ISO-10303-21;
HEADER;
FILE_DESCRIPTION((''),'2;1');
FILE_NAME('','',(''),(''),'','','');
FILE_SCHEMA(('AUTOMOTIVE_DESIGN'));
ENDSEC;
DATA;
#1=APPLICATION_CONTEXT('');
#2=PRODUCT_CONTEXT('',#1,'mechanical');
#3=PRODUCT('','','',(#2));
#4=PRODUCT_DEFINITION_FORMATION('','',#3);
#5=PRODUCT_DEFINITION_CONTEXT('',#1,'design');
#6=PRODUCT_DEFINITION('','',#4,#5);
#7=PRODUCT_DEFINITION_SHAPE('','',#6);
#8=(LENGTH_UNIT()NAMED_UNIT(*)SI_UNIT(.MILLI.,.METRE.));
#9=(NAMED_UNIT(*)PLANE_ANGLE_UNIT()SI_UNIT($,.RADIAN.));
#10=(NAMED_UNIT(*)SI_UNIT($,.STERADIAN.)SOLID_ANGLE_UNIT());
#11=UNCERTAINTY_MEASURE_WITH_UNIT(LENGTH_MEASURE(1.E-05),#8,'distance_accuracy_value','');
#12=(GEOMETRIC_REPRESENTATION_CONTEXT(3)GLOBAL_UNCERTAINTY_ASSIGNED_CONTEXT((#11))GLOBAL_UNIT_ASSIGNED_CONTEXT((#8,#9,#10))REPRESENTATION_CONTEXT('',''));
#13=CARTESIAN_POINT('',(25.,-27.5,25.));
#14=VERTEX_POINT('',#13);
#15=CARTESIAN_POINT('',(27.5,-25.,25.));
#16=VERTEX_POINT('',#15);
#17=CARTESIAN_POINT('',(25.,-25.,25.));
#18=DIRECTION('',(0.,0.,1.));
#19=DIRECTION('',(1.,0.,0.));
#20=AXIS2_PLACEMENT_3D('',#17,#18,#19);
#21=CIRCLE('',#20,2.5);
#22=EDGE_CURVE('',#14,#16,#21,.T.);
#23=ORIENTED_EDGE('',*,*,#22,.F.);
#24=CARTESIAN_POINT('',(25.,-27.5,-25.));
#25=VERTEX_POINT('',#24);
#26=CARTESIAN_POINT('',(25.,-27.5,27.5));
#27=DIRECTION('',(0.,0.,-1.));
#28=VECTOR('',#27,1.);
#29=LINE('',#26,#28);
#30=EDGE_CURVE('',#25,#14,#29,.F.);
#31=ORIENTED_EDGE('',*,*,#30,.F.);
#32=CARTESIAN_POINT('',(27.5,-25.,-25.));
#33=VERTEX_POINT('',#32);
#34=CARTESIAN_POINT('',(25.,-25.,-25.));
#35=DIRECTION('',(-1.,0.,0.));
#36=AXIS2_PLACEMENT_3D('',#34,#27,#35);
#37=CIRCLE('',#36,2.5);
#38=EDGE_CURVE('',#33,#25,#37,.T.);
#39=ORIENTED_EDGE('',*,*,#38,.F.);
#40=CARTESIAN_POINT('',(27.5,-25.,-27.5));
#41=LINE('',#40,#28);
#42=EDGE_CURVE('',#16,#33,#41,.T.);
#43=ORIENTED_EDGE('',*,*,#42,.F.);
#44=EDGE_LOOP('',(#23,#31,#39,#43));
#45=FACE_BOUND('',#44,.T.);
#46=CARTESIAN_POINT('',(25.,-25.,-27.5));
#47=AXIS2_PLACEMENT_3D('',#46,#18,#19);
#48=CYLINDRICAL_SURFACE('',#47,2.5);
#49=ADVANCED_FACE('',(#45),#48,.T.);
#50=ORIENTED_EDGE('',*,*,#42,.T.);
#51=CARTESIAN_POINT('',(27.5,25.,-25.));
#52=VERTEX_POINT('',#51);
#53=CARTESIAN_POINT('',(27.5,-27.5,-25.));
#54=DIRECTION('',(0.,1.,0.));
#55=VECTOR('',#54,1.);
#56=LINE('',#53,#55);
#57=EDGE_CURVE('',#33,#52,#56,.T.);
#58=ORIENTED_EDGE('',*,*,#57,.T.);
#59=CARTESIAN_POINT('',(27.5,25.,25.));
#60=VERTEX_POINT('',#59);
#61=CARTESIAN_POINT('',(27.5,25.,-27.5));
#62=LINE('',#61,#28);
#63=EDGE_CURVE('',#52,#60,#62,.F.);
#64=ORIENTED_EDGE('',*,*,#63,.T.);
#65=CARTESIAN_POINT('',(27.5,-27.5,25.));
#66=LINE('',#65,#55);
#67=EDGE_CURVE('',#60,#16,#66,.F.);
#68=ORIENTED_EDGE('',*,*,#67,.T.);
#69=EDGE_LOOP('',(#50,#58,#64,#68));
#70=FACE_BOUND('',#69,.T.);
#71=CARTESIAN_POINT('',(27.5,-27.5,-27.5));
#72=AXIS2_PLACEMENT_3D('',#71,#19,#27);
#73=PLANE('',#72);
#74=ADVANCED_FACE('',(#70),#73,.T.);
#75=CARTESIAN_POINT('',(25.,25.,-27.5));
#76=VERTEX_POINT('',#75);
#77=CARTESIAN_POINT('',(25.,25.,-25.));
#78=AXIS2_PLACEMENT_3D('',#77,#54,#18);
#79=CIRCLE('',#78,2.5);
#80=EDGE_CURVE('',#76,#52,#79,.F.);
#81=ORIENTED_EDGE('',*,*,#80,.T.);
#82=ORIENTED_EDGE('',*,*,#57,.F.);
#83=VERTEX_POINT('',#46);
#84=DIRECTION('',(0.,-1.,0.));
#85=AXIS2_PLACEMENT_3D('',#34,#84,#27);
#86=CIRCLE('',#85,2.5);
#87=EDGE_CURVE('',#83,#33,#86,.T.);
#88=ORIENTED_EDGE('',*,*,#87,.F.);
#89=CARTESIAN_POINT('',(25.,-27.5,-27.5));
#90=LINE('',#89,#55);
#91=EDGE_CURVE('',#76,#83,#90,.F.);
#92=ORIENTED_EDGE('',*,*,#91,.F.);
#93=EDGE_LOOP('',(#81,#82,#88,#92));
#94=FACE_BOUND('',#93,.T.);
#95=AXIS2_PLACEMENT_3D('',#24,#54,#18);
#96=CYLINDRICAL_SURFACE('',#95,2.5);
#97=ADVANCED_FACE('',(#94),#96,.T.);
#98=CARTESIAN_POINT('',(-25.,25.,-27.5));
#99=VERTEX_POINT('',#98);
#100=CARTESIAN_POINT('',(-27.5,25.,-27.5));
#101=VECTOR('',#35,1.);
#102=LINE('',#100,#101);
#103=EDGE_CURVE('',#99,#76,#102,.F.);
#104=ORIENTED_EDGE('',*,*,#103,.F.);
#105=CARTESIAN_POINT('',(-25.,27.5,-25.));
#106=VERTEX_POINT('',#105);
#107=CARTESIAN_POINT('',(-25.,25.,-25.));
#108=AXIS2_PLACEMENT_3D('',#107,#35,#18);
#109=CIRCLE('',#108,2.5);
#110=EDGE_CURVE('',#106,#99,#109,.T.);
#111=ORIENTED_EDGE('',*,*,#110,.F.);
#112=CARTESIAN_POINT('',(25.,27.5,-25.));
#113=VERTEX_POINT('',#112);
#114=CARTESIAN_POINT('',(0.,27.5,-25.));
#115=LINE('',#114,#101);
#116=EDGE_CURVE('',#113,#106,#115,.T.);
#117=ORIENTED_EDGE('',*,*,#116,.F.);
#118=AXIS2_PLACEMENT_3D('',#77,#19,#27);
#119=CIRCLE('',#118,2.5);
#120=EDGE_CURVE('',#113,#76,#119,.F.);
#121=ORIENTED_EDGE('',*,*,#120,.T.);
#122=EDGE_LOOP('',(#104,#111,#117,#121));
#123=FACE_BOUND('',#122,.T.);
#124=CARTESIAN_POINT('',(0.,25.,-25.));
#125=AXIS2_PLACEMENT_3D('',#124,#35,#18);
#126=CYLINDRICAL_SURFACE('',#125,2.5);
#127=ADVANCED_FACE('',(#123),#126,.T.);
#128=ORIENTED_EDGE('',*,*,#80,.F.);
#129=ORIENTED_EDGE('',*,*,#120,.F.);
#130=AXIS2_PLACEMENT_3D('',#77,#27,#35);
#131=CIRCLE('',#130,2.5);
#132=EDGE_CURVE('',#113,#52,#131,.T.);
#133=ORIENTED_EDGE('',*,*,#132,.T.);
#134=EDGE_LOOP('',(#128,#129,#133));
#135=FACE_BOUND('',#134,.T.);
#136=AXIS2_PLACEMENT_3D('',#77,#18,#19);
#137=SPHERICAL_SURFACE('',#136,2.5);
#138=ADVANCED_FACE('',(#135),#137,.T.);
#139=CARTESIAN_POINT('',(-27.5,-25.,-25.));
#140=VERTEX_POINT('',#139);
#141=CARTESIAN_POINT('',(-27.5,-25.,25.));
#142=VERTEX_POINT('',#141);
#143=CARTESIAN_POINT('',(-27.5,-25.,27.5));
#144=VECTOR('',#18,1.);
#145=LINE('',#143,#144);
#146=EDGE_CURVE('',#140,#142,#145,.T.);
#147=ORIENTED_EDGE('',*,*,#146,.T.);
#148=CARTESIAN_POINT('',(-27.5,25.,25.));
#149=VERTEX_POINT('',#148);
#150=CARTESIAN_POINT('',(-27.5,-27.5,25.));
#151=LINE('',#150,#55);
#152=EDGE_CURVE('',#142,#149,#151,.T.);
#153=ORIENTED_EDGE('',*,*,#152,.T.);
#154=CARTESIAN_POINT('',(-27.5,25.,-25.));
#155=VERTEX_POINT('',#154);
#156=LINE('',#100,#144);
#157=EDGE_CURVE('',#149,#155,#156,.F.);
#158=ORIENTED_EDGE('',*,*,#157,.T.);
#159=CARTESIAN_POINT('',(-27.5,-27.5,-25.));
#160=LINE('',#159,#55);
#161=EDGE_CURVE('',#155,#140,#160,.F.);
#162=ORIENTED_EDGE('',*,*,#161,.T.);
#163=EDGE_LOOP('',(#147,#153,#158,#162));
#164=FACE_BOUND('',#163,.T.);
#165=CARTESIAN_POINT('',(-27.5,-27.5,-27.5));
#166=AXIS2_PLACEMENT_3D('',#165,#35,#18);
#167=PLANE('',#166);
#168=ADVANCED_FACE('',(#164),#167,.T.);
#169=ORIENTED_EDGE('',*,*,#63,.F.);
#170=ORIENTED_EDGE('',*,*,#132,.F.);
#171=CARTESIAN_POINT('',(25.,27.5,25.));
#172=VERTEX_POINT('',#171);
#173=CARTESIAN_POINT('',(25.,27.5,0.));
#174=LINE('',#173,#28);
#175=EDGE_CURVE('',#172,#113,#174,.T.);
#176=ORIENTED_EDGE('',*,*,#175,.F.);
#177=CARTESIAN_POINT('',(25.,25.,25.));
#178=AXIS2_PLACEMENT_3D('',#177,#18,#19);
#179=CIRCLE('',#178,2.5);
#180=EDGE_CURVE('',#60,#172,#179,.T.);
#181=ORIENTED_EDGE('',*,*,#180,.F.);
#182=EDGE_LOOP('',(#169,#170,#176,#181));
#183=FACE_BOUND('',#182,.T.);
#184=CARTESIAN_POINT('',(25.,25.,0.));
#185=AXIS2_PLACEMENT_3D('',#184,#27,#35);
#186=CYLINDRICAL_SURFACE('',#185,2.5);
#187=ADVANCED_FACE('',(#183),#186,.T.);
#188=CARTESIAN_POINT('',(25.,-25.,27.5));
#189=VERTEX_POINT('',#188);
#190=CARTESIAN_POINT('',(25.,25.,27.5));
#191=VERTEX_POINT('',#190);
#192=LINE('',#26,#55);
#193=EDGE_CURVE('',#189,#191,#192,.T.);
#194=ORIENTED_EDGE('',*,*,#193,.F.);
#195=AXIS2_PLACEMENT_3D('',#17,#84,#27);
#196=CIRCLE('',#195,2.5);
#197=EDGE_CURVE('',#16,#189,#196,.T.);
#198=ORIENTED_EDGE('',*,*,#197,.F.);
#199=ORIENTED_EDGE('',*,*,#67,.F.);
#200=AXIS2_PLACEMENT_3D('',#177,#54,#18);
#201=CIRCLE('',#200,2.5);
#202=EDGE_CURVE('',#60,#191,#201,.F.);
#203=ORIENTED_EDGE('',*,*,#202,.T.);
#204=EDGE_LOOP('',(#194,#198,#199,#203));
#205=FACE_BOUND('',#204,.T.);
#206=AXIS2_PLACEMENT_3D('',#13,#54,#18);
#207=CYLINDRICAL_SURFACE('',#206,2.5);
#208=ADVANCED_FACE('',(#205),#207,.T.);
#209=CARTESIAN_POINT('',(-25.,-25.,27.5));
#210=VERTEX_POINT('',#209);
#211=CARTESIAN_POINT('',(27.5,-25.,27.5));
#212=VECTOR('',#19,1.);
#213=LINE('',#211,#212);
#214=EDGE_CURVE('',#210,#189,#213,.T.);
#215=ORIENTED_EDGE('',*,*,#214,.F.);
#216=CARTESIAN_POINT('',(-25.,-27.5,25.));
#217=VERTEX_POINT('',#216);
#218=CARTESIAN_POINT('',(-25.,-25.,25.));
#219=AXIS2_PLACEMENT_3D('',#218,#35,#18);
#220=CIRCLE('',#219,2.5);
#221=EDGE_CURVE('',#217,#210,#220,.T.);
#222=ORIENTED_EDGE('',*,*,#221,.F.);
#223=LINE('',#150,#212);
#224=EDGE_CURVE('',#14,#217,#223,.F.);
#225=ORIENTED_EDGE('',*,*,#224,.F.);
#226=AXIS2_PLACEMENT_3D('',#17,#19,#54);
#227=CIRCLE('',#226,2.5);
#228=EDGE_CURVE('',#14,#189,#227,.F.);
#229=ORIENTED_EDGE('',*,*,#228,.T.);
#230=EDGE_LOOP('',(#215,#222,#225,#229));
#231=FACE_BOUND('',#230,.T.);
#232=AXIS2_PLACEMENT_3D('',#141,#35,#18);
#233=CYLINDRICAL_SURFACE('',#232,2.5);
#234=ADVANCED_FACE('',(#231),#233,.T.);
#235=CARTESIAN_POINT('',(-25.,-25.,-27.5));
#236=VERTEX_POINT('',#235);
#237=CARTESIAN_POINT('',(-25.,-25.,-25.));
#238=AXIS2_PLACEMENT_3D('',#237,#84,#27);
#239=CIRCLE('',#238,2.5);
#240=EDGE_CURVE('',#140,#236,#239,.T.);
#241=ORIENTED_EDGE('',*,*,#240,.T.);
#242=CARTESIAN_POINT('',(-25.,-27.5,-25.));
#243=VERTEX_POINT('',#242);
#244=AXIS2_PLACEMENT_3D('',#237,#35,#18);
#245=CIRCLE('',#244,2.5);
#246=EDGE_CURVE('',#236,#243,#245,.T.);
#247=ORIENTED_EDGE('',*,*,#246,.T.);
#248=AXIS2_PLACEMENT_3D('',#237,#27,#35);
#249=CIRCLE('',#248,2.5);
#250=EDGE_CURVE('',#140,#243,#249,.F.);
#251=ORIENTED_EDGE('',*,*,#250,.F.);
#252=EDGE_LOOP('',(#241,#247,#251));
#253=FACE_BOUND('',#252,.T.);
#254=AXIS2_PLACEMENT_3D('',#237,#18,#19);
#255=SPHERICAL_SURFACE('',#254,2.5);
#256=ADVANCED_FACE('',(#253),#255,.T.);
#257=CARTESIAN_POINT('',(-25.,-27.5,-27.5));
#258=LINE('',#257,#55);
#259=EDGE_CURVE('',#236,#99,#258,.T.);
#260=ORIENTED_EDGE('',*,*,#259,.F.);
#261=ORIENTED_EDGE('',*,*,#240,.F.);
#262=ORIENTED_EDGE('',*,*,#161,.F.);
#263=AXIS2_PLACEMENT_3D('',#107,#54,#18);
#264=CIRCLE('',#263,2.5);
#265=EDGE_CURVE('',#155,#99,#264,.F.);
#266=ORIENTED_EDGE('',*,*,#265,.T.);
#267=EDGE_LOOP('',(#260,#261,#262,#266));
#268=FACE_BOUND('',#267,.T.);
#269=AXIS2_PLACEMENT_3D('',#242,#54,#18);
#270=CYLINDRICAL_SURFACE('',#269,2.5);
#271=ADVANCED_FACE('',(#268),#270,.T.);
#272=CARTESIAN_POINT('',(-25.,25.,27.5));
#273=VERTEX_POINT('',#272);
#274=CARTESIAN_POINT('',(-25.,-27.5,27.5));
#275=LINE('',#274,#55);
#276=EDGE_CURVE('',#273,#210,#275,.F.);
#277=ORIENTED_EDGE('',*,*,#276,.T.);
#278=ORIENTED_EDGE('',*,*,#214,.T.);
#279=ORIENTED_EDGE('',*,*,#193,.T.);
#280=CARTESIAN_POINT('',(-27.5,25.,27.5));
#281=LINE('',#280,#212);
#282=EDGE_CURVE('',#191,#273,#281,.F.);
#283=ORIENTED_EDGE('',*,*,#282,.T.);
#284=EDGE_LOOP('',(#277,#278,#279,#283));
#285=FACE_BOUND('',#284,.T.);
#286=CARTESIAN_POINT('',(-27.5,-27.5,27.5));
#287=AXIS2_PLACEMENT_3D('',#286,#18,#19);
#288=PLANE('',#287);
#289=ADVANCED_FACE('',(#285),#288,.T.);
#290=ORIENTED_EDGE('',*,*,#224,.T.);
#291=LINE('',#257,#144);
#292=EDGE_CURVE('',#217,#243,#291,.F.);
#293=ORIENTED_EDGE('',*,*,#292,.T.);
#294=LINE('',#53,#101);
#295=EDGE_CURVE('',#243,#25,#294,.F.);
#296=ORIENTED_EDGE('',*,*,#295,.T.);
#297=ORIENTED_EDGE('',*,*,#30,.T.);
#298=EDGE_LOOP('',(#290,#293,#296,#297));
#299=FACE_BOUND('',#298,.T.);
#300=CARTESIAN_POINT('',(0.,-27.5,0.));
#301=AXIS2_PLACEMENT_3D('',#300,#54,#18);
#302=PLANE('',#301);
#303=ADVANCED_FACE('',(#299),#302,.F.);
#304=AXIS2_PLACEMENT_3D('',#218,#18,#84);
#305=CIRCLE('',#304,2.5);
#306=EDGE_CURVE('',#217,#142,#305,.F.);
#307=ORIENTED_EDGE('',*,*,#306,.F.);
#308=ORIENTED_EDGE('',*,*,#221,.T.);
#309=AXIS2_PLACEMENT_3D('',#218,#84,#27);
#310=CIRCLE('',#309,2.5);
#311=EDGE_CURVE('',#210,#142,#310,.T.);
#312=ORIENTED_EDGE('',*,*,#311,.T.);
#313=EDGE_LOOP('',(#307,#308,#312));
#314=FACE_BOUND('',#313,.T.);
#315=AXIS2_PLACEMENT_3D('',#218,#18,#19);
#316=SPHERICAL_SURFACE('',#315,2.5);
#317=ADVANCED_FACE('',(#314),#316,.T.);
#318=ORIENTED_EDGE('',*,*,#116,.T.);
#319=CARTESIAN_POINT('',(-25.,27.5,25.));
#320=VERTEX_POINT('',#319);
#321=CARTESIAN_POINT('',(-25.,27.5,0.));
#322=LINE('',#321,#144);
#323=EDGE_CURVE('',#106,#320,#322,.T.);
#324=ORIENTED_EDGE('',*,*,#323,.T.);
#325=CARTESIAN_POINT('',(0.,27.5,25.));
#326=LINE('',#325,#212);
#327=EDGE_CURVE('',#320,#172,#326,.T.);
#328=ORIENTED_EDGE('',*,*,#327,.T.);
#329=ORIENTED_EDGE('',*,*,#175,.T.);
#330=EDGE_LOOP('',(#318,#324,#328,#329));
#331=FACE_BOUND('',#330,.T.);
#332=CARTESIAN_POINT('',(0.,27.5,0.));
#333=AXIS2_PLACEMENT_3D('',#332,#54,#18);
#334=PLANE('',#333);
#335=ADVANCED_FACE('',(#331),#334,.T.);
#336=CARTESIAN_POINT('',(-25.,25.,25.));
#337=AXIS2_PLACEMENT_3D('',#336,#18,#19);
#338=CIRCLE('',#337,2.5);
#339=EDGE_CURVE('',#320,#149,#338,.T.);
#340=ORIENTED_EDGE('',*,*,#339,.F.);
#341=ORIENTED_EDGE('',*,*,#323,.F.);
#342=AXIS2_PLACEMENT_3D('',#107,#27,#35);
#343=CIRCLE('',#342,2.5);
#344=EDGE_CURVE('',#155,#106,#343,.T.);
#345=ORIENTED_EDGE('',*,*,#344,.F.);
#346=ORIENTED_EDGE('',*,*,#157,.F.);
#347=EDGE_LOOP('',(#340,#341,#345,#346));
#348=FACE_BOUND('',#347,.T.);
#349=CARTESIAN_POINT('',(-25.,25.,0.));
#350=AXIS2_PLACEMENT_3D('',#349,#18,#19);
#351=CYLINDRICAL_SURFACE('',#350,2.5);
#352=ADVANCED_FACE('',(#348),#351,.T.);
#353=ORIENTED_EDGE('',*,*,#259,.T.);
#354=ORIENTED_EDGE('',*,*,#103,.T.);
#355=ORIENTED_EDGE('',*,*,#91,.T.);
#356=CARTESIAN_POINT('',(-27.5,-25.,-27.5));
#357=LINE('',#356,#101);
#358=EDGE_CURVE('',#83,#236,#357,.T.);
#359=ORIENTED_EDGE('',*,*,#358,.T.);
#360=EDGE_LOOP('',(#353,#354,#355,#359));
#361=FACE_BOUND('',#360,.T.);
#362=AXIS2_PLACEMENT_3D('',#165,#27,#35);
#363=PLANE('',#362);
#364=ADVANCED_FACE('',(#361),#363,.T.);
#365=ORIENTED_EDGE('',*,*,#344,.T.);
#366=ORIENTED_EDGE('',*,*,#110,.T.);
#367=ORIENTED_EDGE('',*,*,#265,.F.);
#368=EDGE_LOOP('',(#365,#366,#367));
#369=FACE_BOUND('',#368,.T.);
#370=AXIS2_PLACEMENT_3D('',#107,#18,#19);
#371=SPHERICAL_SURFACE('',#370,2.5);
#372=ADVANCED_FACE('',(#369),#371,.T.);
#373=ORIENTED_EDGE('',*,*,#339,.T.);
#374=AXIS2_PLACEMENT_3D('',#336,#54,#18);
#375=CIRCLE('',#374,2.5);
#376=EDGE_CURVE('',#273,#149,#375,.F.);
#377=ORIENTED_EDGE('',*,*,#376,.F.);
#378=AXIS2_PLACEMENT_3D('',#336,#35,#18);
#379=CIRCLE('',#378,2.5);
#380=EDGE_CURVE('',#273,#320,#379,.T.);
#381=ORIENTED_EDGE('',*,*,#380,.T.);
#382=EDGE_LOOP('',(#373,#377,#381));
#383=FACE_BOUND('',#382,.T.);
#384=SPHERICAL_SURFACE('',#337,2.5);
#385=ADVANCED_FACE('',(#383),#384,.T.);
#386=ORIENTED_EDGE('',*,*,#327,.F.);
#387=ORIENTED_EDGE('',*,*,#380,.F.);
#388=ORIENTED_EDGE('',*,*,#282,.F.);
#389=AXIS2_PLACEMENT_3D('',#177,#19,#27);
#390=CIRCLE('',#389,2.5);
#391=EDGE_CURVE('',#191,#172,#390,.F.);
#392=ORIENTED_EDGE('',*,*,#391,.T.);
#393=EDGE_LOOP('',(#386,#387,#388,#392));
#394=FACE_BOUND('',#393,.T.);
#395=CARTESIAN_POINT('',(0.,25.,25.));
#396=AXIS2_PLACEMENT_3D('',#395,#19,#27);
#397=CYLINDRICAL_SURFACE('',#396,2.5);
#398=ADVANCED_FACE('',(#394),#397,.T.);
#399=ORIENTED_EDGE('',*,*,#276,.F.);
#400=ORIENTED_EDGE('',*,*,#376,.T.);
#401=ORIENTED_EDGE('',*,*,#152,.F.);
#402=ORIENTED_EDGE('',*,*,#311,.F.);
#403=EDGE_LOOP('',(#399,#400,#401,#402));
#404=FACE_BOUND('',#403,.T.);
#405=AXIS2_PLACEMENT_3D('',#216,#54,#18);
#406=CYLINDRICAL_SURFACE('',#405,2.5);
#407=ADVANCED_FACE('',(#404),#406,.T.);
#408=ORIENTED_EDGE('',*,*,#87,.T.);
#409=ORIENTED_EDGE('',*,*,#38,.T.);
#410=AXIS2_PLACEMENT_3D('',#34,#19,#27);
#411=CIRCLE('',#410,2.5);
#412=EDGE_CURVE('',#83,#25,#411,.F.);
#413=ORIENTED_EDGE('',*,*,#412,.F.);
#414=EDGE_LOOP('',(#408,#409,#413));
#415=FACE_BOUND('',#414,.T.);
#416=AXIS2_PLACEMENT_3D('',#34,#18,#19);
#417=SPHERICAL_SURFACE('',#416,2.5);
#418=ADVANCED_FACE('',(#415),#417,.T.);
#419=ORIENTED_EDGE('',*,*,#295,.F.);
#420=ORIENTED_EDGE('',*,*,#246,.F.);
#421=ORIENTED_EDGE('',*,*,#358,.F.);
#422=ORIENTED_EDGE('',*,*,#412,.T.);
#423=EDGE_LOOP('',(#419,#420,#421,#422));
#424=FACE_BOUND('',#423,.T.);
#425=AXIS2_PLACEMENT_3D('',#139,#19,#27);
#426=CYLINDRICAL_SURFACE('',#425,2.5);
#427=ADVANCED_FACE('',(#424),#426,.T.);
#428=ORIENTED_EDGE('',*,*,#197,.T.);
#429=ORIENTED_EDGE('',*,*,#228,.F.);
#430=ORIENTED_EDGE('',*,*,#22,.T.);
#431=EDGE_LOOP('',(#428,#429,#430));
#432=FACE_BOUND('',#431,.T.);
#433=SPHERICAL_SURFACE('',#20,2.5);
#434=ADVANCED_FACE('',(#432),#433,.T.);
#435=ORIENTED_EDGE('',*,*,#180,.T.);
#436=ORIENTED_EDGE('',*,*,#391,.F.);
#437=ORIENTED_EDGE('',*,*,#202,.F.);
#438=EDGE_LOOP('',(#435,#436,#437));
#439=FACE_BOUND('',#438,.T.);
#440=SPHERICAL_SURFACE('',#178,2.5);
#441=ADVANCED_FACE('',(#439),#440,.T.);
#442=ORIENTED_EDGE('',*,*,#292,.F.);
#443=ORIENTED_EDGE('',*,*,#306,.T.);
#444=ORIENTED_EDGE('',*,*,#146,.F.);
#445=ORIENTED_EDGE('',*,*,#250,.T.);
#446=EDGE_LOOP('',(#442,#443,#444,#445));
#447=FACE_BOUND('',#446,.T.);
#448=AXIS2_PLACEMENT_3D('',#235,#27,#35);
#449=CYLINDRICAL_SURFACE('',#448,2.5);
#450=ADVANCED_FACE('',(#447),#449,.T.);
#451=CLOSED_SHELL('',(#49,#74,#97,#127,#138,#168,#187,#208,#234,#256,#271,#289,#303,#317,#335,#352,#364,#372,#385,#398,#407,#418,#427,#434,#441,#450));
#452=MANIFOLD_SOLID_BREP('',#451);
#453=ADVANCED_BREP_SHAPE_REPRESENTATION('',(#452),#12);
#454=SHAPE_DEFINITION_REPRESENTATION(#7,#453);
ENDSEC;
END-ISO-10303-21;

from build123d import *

# Parameters (mm, degrees)
BOSS_EXTRUDE1_DEPTH      = 27.5
BOSS_EXTRUDE1_DEPTH_BACK = 27.5
SKETCH1_W                = 55
SKETCH1_H                = 55
FILLET1_R                = 2.5


with BuildPart() as part:
    # Sketch1 → Boss-Extrude1 (new, two sides: drawn at the far end of the back side and taken through both)
    with BuildSketch(Plane(origin=(0, 0, 0), x_dir=(1, 0, 0), z_dir=(0, 1, 0)).offset(-BOSS_EXTRUDE1_DEPTH_BACK)):
        Rectangle(SKETCH1_W, SKETCH1_H)
    extrude(amount=BOSS_EXTRUDE1_DEPTH + BOSS_EXTRUDE1_DEPTH_BACK)

    # Fillet1
    fillet1_edges = [part.edges().sort_by_distance(p)[0] for p in [
        (-27.5, -27.5, 0),
        (27.5, 27.5, 0),
        (0, 27.5, -27.5),
        (0, -27.5, 27.5),
        (-27.5, 27.5, 0),
        (0, 27.5, 27.5),
        (27.5, -27.5, 0),
        (0, -27.5, -27.5),
        (27.5, 0, 27.5),
        (-27.5, 0, 27.5),
        (-27.5, 0, -27.5),
        (27.5, 0, -27.5),
    ]]
    fillet(fillet1_edges, radius=FILLET1_R)


solid = part.part
